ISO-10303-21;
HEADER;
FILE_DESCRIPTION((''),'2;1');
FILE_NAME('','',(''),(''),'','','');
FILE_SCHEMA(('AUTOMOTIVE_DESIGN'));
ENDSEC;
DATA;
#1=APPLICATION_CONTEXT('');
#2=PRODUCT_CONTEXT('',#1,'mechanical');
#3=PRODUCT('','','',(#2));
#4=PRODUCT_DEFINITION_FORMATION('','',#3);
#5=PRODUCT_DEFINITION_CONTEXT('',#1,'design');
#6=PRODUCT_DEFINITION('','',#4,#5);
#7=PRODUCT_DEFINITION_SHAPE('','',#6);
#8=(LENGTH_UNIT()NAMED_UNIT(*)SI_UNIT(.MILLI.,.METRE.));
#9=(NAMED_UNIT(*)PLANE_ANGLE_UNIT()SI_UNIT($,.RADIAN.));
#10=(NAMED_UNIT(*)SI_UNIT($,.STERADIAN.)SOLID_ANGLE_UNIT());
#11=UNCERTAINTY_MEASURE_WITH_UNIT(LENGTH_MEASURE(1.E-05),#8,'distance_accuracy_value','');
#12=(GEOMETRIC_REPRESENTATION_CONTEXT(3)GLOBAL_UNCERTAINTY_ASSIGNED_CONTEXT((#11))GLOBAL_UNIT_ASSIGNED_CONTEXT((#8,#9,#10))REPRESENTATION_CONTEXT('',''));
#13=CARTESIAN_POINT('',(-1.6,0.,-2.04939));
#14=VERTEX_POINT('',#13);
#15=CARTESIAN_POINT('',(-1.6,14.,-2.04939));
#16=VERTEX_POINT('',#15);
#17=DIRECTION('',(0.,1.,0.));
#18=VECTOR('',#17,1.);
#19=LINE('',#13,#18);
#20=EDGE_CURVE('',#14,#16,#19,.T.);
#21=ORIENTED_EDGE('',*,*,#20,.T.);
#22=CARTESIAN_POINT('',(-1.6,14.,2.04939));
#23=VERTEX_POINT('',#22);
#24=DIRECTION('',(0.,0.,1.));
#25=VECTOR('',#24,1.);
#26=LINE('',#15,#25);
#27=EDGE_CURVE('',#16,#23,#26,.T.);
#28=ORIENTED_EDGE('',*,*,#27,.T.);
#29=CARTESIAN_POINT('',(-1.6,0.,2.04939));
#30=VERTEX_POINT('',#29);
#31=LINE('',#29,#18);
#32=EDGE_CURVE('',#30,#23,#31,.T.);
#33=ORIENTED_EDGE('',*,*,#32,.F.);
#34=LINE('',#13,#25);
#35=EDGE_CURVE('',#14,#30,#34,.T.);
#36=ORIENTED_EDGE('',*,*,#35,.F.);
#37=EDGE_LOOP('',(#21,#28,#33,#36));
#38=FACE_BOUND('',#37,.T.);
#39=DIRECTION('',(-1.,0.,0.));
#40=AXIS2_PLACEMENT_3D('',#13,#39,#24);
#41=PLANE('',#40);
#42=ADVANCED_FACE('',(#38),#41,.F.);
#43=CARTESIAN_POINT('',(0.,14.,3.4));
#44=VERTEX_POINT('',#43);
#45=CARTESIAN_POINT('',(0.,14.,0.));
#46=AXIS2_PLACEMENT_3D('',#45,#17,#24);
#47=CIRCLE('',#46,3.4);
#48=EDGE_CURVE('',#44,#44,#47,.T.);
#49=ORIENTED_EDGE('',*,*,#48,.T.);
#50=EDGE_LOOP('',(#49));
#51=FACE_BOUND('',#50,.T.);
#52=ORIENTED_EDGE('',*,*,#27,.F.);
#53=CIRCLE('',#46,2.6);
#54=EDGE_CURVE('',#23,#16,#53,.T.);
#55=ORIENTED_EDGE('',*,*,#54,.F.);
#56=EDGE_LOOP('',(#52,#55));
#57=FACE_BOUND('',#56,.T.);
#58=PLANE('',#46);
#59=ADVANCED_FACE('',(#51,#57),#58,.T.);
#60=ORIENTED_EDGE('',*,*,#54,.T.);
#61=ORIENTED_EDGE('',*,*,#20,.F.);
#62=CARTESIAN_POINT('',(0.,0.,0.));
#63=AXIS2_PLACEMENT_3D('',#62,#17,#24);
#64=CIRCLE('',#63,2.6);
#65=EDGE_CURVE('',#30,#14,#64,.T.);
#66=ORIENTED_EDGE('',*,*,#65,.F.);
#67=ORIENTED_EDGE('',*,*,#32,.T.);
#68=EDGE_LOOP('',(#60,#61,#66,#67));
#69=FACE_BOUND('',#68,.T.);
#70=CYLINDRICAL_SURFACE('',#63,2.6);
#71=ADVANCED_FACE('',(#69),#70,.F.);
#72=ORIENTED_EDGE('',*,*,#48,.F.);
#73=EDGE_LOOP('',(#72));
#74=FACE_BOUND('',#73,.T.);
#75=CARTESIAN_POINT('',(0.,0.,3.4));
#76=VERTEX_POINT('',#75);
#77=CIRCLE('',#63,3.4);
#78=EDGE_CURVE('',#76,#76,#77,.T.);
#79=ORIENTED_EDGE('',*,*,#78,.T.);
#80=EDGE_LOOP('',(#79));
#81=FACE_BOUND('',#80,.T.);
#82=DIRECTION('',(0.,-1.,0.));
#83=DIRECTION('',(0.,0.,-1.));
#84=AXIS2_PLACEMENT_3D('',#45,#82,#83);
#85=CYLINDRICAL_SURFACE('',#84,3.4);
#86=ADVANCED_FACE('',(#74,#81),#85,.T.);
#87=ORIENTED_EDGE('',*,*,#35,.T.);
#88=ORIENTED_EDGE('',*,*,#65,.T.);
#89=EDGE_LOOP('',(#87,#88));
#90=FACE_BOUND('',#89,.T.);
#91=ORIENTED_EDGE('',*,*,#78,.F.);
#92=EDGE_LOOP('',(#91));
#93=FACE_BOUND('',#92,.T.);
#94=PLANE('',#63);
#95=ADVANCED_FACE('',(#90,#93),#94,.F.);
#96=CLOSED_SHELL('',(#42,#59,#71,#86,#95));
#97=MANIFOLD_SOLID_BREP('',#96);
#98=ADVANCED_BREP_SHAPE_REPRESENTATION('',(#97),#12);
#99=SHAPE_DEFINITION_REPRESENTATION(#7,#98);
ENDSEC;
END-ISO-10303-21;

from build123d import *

# Parameters (mm, degrees)
CROQUIS2_R              = 3.4
SALIENTE_EXTRUIR1_DEPTH = 14
CORTAR_EXTRUIR1_DEPTH   = 15


with BuildPart() as part:
    # Croquis2 → Saliente-Extruir1 (new body)
    with BuildSketch(Plane(origin=(0, 0, 0), x_dir=(1, 0, 0), z_dir=(0, 1, 0))):
        Circle(CROQUIS2_R)
    extrude(amount=SALIENTE_EXTRUIR1_DEPTH)

    # Croquis3 → Cortar-Extruir1 (cut, through all)
    with BuildSketch(Plane(origin=(0, 14, 0), x_dir=(1, 0, 0), z_dir=(0, 1, 0))):
        with BuildLine():
            Line((-1.6, 2.049390153), (-1.6, -2.049390153))
            ThreePointArc((-1.6, -2.049390153), (2.6, 0), (-1.6, 2.049390153))
        make_face()
    extrude(amount=-CORTAR_EXTRUIR1_DEPTH, mode=Mode.SUBTRACT)


solid = part.part
